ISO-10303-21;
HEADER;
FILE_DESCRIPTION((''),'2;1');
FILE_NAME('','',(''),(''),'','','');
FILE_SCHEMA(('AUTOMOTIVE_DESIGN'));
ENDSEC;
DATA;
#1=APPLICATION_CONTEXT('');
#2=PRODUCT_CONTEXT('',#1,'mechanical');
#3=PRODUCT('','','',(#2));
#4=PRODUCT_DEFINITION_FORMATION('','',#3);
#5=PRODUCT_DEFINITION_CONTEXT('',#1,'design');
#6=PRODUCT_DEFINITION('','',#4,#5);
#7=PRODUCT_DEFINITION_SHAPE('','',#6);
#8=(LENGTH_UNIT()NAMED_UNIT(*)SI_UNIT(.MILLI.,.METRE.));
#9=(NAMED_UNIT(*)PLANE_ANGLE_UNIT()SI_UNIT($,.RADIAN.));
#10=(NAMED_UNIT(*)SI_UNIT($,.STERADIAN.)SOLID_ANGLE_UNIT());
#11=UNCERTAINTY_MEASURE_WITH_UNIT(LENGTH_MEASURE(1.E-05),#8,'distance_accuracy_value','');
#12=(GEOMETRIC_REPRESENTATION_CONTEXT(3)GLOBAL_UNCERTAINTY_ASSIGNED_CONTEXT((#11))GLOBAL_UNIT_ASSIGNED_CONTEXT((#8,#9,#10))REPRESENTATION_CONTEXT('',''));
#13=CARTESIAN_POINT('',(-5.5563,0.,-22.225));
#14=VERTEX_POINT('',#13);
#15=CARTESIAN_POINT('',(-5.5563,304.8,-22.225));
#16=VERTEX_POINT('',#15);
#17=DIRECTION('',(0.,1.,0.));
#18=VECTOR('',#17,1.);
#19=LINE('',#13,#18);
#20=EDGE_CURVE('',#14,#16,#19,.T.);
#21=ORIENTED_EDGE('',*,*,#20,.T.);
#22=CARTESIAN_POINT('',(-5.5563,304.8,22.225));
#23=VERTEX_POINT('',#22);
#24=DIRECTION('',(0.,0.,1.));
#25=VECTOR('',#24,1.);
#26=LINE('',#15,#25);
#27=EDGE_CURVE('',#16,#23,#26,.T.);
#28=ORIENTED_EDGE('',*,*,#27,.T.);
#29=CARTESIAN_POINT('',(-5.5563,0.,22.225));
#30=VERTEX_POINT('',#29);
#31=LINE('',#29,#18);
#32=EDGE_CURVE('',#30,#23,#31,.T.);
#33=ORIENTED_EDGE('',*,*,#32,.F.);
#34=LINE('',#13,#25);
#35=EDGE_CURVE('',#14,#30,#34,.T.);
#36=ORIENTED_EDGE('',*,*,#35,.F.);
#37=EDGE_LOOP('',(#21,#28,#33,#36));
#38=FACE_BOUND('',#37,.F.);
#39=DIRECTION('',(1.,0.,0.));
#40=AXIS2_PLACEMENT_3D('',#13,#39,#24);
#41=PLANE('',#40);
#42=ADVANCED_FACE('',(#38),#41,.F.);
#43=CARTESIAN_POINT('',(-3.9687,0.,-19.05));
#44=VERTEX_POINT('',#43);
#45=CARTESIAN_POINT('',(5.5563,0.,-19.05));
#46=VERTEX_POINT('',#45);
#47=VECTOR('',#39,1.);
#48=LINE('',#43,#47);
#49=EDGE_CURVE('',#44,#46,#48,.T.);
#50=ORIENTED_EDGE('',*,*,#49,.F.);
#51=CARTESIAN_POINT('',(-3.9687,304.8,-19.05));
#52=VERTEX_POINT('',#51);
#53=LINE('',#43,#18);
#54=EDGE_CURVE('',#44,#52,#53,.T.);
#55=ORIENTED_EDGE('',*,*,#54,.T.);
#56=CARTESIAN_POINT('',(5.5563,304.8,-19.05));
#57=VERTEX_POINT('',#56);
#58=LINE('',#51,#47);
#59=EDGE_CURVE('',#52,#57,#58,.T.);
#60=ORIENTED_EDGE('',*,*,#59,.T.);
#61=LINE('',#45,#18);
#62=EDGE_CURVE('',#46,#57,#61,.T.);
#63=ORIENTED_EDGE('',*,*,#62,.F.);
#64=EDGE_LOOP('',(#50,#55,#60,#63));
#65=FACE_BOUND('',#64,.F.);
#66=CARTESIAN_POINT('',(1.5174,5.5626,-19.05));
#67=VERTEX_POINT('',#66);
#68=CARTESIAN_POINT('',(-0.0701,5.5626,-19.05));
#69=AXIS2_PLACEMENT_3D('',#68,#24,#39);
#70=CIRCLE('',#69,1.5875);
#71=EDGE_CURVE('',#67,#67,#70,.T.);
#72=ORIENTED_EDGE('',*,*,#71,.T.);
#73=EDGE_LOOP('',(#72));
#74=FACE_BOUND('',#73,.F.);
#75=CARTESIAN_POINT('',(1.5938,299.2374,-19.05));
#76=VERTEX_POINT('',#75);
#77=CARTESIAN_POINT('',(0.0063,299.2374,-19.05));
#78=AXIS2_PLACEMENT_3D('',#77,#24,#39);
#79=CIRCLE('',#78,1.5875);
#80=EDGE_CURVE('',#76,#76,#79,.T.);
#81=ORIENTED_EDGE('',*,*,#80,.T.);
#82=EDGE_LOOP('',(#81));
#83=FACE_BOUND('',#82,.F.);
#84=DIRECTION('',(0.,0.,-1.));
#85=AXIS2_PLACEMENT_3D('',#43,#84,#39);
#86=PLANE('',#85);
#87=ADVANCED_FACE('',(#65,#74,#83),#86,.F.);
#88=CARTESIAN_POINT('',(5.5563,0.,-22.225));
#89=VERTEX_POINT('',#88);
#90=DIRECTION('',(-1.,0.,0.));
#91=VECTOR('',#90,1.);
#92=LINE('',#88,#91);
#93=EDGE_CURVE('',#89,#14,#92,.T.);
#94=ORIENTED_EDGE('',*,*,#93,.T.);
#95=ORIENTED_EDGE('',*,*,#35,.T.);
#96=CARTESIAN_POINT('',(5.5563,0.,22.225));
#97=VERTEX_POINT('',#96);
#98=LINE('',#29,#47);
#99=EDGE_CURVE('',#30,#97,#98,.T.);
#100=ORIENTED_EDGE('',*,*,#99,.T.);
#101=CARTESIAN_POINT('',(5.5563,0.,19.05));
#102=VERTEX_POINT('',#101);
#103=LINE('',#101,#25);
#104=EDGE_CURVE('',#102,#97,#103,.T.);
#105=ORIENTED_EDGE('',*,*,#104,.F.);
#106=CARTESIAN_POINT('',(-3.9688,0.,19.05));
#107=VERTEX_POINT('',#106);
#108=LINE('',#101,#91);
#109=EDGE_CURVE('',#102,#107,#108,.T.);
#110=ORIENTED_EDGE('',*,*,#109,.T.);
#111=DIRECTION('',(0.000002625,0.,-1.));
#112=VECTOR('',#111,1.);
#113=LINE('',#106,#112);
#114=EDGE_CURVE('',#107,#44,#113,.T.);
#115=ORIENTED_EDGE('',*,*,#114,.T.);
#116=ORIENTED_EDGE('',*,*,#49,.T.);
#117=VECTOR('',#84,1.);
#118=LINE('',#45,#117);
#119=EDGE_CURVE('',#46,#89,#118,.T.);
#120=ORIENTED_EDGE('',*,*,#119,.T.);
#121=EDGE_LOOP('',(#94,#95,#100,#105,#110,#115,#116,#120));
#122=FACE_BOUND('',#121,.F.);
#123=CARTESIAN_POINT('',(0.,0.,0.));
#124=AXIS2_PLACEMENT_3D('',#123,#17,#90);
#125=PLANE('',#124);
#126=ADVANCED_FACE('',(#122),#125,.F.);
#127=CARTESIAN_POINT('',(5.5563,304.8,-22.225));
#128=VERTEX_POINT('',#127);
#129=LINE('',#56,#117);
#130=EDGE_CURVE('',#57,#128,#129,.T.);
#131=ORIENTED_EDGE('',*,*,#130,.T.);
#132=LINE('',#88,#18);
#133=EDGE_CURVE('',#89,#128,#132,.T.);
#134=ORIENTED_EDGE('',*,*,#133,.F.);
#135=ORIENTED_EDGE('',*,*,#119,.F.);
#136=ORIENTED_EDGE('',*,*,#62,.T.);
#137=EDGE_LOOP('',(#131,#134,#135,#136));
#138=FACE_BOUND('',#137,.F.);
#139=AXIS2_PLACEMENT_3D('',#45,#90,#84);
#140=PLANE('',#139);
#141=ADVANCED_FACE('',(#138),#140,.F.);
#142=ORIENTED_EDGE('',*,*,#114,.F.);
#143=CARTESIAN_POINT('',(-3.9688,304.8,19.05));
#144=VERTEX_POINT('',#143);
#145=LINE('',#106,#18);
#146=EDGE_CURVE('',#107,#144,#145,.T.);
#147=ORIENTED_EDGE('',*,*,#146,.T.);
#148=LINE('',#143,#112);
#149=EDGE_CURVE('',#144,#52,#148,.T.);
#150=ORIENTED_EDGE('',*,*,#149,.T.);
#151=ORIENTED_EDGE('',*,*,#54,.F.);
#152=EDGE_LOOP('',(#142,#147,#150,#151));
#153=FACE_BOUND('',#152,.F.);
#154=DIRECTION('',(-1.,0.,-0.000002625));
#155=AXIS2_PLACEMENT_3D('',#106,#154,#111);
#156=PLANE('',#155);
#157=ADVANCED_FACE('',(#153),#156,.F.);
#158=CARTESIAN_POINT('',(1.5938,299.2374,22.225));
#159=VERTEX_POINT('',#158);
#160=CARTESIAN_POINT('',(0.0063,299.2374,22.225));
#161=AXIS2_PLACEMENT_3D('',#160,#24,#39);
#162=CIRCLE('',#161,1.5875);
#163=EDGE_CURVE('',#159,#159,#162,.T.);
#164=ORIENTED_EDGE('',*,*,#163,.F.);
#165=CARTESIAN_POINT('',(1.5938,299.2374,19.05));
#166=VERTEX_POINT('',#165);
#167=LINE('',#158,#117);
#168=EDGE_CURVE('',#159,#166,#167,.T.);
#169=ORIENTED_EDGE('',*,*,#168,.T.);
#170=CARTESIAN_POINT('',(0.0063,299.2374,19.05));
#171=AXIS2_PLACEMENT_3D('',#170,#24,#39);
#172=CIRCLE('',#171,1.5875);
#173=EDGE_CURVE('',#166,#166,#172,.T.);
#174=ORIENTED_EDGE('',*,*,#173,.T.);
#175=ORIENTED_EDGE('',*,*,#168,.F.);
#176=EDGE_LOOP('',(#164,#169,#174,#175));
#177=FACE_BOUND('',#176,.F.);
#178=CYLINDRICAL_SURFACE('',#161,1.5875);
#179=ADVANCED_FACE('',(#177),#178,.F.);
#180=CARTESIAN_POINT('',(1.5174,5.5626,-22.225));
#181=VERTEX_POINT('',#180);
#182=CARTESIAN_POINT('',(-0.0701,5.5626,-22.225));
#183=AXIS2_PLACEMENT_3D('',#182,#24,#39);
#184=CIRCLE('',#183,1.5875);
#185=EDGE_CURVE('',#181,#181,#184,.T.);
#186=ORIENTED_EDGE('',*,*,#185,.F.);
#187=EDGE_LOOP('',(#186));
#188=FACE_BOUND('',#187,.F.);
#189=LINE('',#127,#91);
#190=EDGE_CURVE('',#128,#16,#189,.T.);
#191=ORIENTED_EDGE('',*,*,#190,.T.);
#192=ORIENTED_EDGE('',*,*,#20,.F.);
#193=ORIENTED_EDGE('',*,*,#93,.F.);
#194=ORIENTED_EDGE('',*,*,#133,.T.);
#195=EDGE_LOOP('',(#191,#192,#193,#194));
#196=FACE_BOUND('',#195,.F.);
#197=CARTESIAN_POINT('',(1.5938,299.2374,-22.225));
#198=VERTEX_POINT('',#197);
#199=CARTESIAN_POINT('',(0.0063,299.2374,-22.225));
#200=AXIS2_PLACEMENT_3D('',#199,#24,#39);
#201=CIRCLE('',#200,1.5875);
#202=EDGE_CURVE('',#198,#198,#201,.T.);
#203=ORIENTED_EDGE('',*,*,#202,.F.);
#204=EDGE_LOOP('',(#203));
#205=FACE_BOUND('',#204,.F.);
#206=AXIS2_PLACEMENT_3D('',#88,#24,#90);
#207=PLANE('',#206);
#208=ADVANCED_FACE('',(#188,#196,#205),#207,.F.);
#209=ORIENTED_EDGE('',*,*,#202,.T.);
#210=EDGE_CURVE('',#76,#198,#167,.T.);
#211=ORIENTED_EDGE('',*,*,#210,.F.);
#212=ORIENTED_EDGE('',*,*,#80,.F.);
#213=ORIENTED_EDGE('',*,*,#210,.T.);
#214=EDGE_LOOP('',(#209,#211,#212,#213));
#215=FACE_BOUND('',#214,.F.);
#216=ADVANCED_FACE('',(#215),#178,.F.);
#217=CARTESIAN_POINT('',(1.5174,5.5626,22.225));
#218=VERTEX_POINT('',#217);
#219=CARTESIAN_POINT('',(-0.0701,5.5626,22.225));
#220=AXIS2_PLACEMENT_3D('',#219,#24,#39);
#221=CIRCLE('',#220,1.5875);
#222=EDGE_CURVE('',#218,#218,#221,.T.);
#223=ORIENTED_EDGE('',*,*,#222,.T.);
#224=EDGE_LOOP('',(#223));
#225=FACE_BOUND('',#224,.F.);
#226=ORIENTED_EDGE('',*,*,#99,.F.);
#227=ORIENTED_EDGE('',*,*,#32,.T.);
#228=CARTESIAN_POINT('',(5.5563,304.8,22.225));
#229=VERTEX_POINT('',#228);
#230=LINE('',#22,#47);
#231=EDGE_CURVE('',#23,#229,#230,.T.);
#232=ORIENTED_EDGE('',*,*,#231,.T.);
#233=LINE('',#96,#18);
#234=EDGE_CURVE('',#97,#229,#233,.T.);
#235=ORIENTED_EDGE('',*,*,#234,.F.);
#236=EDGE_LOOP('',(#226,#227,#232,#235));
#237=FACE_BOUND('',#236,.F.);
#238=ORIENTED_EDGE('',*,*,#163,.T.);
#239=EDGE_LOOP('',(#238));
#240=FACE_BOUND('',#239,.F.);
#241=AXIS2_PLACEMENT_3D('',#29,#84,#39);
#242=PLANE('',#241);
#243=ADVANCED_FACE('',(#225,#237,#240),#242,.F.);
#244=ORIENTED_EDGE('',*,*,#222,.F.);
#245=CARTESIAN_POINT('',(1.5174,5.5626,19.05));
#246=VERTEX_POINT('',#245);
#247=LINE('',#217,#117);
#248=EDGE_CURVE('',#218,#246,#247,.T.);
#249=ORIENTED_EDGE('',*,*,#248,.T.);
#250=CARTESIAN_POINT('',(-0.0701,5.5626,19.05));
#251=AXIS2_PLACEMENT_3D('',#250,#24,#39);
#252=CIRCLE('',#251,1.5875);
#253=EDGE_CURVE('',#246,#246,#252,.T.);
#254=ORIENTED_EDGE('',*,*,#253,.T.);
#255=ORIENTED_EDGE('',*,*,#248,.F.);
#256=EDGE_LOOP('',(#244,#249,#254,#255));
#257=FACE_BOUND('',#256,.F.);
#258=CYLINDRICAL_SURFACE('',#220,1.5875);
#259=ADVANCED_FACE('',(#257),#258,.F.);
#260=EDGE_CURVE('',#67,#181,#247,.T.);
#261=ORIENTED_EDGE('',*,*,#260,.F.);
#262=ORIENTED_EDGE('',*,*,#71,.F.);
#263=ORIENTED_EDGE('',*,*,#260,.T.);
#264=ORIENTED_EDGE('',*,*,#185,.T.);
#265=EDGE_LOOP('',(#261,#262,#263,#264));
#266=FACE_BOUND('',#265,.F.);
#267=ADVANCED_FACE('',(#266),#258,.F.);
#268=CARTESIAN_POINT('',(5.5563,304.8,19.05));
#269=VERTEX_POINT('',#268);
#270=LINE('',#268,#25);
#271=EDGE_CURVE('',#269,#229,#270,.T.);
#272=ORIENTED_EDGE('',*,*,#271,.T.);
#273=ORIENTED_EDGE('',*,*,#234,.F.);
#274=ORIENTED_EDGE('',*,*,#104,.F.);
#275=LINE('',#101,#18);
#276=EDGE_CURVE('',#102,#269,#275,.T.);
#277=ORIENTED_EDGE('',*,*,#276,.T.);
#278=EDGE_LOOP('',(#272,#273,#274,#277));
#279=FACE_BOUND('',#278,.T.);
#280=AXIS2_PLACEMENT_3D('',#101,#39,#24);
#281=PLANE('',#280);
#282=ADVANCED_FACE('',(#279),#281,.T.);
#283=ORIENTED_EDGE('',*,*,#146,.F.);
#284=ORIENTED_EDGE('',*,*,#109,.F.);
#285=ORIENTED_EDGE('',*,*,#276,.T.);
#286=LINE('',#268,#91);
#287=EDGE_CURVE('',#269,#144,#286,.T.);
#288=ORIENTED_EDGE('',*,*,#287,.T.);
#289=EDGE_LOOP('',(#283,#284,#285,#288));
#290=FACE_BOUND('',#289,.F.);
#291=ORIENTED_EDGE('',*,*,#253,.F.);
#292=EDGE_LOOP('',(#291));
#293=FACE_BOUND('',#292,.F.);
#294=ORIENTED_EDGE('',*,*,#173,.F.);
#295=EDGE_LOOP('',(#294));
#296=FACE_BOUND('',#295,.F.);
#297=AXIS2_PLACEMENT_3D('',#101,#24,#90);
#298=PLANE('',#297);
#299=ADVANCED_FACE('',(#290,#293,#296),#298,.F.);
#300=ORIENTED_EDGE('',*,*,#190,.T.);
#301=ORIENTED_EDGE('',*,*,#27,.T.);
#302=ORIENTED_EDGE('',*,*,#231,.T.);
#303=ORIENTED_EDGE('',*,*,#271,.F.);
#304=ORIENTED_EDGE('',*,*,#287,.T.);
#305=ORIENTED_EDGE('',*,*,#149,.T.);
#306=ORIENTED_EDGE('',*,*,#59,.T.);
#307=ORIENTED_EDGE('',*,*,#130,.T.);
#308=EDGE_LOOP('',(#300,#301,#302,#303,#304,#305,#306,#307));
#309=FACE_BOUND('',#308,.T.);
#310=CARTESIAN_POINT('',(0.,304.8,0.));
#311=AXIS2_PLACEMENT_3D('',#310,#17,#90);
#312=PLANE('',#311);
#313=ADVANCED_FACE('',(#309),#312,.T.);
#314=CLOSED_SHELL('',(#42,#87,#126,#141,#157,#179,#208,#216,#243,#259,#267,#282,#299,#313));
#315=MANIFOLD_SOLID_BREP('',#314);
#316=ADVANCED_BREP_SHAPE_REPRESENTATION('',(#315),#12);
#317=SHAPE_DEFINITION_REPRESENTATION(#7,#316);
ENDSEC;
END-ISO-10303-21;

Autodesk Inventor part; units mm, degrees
ref_plane "YZ Plane" through (0, 0, 0) normal (1, 0, 0) x (0, 1, 0)
ref_plane "XZ Plane" through (0, 0, 0) normal (0, 1, 0) x (-1, 0, 0)
ref_plane "XY Plane" through (0, 0, 0) normal (0, 0, 1) x (1, 0, 0)
sketch "Sketch2" plane through (0, 0, 0) normal (0, 1, 0) x (-1, 0, 0)
  line L0 (-5.5563, -22.225) -> (5.5563, -22.225)
  line L1 (5.5563, -22.225) -> (5.5563, 22.225)
  line L2 (5.5563, 22.225) -> (-5.5563, 22.225)
  line L3 (-5.5563, -22.225) -> (5.5563, 22.225) construction
  line L4 (5.5563, -22.225) -> (-5.5563, 22.225) construction
  line L5 (-11.1125, -19.05) -> (1.5875, 19.05) construction
  line L6 (1.5875, -19.05) -> (-11.1125, 19.05) construction
  line L7 (-5.5563, 19.05) -> (-5.5563, 22.225)
  line L8 (-5.5563, -19.05) -> (-5.5563, -22.225)
  line L9 (-5.5563, 19.05) -> (3.9688, 19.05)
  line L10 (3.9688, 19.05) -> (3.9687, -19.05)
  line L11 (3.9687, -19.05) -> (-5.5563, -19.05)
  point P0 (0, 0)
  point P1 (-4.7625, 0)
  dimension "d0" = 11.1125
  dimension "d1" = 44.45
  dimension "d6" = 9.525
  dimension "d7" = 90
extrude "Extrusion1" add sketch "Sketch2" along normal blind 304.8
sketch "Sketch3" plane through (-5.5563, 0, 22.225) normal (0, 0, 1) x (1, 0, 0)
  circle A0 centre (5.5626, 299.2374) radius 1.5875
  circle A1 centre (5.4862, 5.5626) radius 1.5875
  point P0 (5.5563, 0)
  point P1 (0, 304.8)
  dimension "d11" = 3.175
  dimension "d12" = 3.175
extrude "Extrusion2" cut sketch "Sketch3" against normal through all
properties part number "14in-slide-pt_1" material "Aluminum 6061"
